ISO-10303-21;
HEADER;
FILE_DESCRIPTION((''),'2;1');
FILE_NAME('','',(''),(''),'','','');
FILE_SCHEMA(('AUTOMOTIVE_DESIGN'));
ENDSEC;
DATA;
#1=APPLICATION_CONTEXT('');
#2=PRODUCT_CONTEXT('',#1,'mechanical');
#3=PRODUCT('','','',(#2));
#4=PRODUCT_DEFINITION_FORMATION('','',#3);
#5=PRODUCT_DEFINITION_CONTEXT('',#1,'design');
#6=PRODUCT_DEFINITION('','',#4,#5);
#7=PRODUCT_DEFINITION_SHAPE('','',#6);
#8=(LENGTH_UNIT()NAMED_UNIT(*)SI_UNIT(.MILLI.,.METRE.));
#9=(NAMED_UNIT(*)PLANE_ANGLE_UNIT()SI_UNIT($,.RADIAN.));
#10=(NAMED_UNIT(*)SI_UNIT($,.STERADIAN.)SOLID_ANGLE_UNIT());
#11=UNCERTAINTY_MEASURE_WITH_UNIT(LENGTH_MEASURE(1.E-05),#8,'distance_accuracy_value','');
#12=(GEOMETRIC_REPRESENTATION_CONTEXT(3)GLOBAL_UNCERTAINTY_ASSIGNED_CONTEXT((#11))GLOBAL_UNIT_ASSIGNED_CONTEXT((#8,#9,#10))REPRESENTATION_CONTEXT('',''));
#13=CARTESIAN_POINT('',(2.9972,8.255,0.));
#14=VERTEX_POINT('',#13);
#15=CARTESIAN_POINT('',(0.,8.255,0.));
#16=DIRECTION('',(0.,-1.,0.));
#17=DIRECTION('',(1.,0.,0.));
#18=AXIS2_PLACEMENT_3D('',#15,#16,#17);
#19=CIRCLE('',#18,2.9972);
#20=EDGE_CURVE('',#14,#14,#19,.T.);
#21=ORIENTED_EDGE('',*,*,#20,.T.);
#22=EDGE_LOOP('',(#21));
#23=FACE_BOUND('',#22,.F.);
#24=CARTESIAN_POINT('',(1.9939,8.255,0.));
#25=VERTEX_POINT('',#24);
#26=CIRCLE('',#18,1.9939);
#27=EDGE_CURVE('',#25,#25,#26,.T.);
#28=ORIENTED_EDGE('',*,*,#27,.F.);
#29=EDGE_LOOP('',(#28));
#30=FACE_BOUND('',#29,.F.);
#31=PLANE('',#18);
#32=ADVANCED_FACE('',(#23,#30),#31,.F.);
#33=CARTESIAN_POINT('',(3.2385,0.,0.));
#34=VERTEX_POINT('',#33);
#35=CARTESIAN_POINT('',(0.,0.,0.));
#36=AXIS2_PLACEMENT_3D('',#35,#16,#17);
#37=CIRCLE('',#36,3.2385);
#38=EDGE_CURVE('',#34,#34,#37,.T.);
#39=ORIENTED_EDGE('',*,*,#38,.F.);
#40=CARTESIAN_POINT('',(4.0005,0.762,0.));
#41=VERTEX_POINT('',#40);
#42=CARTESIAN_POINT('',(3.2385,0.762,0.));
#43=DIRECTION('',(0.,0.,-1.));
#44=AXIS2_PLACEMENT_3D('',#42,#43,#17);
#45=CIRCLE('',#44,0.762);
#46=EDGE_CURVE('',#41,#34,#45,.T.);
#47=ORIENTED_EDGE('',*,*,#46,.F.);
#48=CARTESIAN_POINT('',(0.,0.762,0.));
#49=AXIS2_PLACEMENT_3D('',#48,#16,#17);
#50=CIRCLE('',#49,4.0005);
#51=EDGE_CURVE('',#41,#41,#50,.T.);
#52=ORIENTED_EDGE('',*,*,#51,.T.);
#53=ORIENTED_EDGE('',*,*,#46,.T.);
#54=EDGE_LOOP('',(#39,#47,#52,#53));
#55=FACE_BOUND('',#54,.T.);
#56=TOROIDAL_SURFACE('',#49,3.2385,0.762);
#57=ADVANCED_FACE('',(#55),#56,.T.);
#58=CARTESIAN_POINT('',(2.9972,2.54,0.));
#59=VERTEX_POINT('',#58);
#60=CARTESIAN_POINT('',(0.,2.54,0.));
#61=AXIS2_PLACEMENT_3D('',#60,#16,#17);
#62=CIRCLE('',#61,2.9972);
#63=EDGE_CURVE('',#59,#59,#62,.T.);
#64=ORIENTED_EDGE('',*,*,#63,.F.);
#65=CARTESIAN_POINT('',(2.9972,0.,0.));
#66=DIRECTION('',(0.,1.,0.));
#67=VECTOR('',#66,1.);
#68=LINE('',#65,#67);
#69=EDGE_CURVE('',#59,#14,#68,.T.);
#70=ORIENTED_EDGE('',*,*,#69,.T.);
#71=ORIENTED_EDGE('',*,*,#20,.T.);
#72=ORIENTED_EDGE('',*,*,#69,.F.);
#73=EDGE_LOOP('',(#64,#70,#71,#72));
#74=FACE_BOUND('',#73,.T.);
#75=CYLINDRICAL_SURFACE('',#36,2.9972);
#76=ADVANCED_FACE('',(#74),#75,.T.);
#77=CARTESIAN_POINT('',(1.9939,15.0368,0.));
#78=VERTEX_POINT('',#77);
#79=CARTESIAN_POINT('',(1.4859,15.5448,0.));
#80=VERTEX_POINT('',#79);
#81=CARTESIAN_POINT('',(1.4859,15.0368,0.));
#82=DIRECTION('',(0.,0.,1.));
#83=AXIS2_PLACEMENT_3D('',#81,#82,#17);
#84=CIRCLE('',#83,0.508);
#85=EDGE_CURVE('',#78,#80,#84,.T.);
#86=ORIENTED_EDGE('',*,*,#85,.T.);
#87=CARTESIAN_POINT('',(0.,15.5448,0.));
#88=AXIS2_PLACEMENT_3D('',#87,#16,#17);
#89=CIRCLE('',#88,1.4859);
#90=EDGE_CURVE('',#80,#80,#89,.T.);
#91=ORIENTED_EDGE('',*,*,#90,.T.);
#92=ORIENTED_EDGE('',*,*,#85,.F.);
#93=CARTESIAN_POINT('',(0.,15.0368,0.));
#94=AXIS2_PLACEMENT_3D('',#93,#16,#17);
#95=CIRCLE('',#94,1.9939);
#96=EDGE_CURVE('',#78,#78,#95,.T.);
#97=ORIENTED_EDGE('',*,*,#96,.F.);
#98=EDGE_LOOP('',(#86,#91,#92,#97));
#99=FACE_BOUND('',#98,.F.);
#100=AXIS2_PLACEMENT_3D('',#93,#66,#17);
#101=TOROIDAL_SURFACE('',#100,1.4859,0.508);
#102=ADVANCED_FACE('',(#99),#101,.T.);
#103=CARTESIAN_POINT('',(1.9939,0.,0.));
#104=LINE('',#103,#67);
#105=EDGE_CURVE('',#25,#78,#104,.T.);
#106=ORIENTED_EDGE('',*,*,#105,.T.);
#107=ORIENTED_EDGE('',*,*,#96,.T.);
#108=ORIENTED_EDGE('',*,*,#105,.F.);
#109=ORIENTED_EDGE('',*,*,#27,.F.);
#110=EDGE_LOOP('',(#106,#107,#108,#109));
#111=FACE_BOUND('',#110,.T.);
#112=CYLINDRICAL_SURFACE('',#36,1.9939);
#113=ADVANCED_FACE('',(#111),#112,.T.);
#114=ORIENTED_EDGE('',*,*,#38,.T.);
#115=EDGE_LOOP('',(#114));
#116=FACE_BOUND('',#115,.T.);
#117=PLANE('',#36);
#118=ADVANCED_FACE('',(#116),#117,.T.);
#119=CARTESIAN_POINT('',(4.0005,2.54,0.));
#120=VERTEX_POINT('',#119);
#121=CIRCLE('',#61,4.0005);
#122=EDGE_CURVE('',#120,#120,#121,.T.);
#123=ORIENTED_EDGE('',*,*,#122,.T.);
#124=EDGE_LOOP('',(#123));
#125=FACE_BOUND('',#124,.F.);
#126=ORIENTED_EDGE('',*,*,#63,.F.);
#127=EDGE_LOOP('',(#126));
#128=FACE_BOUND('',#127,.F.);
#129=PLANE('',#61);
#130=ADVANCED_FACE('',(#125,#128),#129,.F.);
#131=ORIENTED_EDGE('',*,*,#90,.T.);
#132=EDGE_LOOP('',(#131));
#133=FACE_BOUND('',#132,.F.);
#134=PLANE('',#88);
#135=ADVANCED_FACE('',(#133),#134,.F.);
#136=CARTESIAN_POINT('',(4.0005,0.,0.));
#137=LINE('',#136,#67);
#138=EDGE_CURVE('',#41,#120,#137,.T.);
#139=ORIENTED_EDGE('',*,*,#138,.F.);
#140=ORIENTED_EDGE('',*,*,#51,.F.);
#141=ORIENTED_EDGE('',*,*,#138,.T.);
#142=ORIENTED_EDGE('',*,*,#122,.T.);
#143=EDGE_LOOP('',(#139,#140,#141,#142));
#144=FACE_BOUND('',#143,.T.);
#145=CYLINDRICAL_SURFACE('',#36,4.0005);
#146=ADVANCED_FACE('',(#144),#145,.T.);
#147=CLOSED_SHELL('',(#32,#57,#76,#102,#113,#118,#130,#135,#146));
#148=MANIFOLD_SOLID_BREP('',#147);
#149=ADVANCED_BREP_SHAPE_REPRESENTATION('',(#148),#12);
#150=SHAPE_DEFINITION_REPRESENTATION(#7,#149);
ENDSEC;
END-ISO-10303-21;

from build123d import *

# Parameters (mm, degrees)
F0_R     = 2.9972
F1_DEPTH = 8.255
F0_R_2   = 4.0005
F2_DEPTH = 2.54
F3_R     = 1.9939
F4_DEPTH = 15.5448
F5_R     = 0.508
F6_R     = 0.762


with BuildPart() as f1:
    # F0 (on Front) → F1 (new body)
    with BuildSketch(Plane.XZ):
        Circle(F0_R)
    extrude(amount=-F1_DEPTH)

    # F0 (on Front) → F2 (join)
    with BuildSketch(Plane.XZ):
        Circle(F0_R_2)
        Circle(F0_R, mode=Mode.SUBTRACT)
    extrude(amount=-F2_DEPTH)

    # F3 (on Front) → F4 (join)
    with BuildSketch(Plane.XZ):
        Circle(F3_R)
    extrude(amount=-F4_DEPTH)

    # F5
    f5_edges = [f1.edges().sort_by_distance(p)[0] for p in [
        (-1.9939, 15.5448, 0),
    ]]
    fillet(f5_edges, radius=F5_R)

    # F6
    f6_edges = [f1.edges().sort_by_distance(p)[0] for p in [
        (-4.0005, 0, 0),
    ]]
    fillet(f6_edges, radius=F6_R)


solid = f1.part
